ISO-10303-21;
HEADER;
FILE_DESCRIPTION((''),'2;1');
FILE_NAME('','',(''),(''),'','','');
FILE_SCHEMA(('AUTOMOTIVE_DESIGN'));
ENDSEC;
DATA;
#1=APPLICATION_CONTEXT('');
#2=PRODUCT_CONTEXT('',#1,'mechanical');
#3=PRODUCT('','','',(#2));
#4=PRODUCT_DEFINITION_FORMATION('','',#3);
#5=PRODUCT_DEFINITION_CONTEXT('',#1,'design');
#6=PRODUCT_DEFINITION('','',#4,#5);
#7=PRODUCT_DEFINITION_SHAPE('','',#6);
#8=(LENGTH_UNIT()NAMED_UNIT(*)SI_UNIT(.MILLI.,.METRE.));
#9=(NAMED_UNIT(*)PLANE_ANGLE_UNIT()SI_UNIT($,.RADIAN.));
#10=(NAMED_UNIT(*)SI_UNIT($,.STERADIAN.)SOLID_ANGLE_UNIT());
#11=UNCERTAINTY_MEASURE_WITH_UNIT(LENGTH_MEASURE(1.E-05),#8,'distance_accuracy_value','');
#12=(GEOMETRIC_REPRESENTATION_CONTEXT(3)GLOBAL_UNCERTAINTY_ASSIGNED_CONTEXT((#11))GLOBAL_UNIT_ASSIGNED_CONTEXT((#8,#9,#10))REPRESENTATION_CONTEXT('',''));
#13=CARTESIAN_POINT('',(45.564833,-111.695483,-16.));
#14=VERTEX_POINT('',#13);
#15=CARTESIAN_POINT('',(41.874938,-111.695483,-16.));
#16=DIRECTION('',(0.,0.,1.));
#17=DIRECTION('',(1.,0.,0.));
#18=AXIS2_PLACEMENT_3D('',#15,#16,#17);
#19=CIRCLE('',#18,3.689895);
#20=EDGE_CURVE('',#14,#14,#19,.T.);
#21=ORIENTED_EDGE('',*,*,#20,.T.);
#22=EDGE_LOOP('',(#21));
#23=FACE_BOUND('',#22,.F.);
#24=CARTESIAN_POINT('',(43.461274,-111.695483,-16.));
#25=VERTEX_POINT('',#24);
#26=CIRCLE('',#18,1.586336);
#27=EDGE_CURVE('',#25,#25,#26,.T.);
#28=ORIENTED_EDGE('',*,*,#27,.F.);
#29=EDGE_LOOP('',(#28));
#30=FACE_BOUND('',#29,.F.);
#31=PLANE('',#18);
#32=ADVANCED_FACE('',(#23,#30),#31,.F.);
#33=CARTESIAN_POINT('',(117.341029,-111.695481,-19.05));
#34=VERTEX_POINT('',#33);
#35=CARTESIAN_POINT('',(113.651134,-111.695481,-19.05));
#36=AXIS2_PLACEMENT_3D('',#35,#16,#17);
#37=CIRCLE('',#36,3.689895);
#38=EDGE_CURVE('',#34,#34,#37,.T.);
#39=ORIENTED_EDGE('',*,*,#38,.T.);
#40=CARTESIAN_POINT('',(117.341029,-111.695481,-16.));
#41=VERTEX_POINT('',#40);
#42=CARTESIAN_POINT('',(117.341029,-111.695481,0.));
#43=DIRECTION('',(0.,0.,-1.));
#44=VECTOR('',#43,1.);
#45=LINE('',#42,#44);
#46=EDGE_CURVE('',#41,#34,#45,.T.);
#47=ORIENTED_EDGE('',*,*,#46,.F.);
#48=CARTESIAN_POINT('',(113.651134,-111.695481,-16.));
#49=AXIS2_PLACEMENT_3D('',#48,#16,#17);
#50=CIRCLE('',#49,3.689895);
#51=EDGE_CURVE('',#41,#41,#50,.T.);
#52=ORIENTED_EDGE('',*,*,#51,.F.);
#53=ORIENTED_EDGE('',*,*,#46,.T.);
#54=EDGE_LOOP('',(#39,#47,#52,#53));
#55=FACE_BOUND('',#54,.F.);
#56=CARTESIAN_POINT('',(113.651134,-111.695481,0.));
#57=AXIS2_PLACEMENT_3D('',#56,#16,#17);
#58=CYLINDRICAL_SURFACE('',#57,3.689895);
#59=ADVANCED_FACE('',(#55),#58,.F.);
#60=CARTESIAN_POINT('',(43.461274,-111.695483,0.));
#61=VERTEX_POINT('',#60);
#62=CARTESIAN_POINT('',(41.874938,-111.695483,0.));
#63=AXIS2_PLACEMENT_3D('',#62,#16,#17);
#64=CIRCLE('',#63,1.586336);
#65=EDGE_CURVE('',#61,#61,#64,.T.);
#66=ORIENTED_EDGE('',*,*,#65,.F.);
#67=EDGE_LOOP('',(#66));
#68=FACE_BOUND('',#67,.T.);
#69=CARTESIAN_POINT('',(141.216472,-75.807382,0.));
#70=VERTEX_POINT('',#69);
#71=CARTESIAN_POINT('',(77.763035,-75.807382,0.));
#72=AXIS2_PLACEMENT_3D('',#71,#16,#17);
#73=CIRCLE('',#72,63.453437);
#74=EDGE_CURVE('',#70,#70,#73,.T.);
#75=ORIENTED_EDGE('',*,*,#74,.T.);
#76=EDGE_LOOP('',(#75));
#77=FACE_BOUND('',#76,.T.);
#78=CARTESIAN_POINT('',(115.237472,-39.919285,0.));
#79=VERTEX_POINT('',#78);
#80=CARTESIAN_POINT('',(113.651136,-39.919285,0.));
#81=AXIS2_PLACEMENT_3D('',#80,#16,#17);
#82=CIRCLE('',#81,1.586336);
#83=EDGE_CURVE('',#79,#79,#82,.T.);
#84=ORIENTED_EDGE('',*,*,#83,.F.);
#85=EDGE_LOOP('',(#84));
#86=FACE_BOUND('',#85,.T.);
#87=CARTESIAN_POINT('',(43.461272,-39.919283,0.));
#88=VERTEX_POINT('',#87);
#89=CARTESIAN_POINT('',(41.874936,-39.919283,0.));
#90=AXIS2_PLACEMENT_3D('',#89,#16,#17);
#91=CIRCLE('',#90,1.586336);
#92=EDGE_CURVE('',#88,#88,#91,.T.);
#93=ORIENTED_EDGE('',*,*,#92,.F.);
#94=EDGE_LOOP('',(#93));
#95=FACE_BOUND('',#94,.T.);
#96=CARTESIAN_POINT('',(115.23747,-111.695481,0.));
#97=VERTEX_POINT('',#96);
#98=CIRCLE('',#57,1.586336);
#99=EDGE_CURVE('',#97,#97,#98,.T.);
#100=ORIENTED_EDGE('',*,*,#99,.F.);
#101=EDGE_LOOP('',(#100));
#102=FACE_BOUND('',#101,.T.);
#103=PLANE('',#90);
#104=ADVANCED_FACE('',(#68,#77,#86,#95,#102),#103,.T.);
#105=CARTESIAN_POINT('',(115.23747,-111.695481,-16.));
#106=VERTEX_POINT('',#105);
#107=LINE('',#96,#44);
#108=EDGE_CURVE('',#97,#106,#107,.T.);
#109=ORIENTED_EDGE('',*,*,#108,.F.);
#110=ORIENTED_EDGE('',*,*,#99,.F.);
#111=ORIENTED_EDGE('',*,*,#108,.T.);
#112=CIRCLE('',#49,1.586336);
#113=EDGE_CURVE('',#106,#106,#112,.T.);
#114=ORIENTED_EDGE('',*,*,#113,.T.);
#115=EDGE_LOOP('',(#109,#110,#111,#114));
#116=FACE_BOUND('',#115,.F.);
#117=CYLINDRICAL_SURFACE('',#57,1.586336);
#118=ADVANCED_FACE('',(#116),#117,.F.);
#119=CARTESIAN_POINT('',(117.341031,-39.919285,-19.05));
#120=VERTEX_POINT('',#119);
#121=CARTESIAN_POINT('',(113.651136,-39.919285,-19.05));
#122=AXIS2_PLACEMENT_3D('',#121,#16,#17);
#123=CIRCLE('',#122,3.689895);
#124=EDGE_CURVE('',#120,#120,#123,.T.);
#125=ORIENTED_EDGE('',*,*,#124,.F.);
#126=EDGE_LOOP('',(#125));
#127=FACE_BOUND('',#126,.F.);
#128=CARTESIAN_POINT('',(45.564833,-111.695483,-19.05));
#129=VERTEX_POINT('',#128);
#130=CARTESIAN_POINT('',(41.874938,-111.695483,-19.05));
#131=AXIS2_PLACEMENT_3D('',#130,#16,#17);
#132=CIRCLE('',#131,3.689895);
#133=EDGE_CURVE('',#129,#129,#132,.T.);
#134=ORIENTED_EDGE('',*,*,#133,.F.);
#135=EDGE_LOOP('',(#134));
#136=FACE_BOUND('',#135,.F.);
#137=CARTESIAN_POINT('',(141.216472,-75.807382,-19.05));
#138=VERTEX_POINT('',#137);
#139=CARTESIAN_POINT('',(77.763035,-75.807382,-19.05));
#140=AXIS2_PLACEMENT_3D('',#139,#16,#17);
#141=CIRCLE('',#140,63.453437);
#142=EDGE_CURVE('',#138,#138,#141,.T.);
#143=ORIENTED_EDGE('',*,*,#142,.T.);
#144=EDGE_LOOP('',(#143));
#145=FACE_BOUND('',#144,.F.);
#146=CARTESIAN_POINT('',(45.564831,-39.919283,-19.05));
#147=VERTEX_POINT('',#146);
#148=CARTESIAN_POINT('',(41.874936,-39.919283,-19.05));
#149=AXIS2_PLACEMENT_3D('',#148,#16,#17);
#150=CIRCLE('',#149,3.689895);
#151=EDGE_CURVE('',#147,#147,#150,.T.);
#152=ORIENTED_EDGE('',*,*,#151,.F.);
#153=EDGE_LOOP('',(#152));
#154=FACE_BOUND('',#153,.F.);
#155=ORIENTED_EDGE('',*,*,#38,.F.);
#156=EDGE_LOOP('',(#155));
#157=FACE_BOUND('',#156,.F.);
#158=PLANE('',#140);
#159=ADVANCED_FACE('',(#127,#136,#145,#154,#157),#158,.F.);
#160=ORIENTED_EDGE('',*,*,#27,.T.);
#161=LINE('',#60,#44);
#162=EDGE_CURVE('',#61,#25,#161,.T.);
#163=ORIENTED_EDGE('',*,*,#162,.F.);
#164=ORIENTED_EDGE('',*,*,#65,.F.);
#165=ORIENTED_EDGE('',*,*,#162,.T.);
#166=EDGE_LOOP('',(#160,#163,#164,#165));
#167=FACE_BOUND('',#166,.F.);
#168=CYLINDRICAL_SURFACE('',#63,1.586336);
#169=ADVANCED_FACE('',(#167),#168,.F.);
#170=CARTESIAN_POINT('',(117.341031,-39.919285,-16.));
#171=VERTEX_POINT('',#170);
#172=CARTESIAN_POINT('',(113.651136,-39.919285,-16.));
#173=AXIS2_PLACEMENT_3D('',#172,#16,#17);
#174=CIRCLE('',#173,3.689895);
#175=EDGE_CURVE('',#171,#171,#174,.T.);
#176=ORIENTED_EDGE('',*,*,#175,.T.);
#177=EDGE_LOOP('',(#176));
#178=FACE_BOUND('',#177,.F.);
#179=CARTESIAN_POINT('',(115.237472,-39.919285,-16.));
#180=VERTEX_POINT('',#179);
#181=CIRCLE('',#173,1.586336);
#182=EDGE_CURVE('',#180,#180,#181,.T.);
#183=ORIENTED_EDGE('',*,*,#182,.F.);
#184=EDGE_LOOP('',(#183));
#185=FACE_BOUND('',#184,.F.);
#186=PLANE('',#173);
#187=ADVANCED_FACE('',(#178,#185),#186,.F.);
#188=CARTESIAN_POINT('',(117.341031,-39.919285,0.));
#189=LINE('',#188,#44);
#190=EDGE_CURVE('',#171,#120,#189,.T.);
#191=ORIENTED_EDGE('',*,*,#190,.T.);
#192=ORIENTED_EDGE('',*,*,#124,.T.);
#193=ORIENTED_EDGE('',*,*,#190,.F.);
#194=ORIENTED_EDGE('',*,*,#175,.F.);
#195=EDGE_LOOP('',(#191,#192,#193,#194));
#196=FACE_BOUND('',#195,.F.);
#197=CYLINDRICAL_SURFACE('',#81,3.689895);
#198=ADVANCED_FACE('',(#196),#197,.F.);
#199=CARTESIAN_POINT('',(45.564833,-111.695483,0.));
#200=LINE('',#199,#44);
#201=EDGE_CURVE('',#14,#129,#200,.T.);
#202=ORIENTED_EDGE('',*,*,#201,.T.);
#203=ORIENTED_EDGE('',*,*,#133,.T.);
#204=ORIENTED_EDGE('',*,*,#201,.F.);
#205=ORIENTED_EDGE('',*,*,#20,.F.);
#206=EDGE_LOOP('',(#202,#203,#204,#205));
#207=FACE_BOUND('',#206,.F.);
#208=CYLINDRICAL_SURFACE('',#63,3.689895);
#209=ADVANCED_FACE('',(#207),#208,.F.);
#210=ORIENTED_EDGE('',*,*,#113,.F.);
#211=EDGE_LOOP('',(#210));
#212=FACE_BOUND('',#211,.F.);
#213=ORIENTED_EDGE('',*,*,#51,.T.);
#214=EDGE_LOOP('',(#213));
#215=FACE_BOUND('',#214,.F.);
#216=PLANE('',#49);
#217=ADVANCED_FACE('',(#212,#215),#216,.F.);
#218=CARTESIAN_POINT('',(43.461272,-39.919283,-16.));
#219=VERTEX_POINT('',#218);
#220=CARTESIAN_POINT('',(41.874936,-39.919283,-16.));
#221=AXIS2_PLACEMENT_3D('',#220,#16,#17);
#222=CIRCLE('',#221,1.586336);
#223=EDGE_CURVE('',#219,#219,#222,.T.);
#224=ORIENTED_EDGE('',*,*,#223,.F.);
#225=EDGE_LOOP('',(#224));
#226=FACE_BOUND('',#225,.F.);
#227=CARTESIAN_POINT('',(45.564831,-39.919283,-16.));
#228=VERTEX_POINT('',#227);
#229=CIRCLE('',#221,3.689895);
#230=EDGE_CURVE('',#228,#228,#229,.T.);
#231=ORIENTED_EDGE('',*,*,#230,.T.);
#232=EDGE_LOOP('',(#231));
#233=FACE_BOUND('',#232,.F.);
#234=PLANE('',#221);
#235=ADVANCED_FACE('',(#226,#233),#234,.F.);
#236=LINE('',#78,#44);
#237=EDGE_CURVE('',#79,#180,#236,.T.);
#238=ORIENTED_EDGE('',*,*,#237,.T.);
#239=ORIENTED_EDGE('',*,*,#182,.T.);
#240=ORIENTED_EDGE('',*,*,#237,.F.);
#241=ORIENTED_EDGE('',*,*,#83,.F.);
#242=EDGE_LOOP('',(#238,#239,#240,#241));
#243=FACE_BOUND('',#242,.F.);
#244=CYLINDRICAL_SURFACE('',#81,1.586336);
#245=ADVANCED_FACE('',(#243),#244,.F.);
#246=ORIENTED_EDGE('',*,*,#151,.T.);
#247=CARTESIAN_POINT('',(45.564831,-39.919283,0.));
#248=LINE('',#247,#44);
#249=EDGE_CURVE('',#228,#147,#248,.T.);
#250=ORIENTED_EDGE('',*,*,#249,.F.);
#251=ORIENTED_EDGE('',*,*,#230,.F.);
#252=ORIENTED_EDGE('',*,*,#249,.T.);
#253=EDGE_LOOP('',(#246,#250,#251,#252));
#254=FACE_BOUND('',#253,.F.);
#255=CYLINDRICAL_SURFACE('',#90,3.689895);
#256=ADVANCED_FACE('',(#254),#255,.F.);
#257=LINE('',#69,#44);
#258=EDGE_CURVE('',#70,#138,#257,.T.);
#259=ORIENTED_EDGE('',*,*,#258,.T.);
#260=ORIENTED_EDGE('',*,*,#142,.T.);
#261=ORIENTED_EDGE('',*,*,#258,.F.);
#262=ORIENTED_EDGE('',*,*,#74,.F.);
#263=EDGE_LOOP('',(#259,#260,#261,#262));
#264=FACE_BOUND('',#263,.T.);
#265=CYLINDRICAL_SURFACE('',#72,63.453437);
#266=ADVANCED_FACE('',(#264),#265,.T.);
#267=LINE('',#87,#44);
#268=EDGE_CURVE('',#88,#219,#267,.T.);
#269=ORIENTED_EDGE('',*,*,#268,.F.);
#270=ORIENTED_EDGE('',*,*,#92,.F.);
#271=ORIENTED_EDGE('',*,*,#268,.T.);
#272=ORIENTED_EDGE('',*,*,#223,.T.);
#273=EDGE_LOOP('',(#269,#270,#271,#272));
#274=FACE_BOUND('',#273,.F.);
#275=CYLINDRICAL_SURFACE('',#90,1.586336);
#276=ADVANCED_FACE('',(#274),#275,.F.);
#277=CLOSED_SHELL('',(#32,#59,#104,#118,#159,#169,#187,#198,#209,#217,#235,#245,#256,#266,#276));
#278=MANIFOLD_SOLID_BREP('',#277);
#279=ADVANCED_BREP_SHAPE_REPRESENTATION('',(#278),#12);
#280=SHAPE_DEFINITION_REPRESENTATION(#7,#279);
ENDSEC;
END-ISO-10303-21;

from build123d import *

# Parameters (mm, degrees)
F0_R     = 63.453437
F0_R_2   = 3.689895
F1_DEPTH = 19.05
F0_R_3   = 1.586336
F2_DEPTH = 16


with BuildPart() as f1:
    # F0 (on Top) → F1 (new body)
    with BuildSketch(Plane.XY):
        with Locations((77.763035, -75.807382)):
            Circle(F0_R)
        with Locations((41.874938, -111.695483)):
            Circle(F0_R_2, mode=Mode.SUBTRACT)
        with Locations((113.651134, -111.695481)):
            Circle(F0_R_2, mode=Mode.SUBTRACT)
        with Locations((41.874936, -39.919283)):
            Circle(F0_R_2, mode=Mode.SUBTRACT)
        with Locations((113.651136, -39.919285)):
            Circle(F0_R_2, mode=Mode.SUBTRACT)
    extrude(amount=-F1_DEPTH)

    # F0 (on Top) → F2 (join)
    with BuildSketch(Plane.XY):
        with Locations((41.874936, -39.919283)):
            Circle(F0_R_2)
        with Locations((41.874936, -39.919283)):
            Circle(F0_R_3, mode=Mode.SUBTRACT)
        with Locations((113.651136, -39.919285)):
            Circle(F0_R_2)
        with Locations((113.651136, -39.919285)):
            Circle(F0_R_3, mode=Mode.SUBTRACT)
        with Locations((113.651134, -111.695481)):
            Circle(F0_R_2)
        with Locations((113.651134, -111.695481)):
            Circle(F0_R_3, mode=Mode.SUBTRACT)
        with Locations((41.874938, -111.695483)):
            Circle(F0_R_2)
        with Locations((41.874938, -111.695483)):
            Circle(F0_R_3, mode=Mode.SUBTRACT)
    extrude(amount=-F2_DEPTH)


solid = f1.part
